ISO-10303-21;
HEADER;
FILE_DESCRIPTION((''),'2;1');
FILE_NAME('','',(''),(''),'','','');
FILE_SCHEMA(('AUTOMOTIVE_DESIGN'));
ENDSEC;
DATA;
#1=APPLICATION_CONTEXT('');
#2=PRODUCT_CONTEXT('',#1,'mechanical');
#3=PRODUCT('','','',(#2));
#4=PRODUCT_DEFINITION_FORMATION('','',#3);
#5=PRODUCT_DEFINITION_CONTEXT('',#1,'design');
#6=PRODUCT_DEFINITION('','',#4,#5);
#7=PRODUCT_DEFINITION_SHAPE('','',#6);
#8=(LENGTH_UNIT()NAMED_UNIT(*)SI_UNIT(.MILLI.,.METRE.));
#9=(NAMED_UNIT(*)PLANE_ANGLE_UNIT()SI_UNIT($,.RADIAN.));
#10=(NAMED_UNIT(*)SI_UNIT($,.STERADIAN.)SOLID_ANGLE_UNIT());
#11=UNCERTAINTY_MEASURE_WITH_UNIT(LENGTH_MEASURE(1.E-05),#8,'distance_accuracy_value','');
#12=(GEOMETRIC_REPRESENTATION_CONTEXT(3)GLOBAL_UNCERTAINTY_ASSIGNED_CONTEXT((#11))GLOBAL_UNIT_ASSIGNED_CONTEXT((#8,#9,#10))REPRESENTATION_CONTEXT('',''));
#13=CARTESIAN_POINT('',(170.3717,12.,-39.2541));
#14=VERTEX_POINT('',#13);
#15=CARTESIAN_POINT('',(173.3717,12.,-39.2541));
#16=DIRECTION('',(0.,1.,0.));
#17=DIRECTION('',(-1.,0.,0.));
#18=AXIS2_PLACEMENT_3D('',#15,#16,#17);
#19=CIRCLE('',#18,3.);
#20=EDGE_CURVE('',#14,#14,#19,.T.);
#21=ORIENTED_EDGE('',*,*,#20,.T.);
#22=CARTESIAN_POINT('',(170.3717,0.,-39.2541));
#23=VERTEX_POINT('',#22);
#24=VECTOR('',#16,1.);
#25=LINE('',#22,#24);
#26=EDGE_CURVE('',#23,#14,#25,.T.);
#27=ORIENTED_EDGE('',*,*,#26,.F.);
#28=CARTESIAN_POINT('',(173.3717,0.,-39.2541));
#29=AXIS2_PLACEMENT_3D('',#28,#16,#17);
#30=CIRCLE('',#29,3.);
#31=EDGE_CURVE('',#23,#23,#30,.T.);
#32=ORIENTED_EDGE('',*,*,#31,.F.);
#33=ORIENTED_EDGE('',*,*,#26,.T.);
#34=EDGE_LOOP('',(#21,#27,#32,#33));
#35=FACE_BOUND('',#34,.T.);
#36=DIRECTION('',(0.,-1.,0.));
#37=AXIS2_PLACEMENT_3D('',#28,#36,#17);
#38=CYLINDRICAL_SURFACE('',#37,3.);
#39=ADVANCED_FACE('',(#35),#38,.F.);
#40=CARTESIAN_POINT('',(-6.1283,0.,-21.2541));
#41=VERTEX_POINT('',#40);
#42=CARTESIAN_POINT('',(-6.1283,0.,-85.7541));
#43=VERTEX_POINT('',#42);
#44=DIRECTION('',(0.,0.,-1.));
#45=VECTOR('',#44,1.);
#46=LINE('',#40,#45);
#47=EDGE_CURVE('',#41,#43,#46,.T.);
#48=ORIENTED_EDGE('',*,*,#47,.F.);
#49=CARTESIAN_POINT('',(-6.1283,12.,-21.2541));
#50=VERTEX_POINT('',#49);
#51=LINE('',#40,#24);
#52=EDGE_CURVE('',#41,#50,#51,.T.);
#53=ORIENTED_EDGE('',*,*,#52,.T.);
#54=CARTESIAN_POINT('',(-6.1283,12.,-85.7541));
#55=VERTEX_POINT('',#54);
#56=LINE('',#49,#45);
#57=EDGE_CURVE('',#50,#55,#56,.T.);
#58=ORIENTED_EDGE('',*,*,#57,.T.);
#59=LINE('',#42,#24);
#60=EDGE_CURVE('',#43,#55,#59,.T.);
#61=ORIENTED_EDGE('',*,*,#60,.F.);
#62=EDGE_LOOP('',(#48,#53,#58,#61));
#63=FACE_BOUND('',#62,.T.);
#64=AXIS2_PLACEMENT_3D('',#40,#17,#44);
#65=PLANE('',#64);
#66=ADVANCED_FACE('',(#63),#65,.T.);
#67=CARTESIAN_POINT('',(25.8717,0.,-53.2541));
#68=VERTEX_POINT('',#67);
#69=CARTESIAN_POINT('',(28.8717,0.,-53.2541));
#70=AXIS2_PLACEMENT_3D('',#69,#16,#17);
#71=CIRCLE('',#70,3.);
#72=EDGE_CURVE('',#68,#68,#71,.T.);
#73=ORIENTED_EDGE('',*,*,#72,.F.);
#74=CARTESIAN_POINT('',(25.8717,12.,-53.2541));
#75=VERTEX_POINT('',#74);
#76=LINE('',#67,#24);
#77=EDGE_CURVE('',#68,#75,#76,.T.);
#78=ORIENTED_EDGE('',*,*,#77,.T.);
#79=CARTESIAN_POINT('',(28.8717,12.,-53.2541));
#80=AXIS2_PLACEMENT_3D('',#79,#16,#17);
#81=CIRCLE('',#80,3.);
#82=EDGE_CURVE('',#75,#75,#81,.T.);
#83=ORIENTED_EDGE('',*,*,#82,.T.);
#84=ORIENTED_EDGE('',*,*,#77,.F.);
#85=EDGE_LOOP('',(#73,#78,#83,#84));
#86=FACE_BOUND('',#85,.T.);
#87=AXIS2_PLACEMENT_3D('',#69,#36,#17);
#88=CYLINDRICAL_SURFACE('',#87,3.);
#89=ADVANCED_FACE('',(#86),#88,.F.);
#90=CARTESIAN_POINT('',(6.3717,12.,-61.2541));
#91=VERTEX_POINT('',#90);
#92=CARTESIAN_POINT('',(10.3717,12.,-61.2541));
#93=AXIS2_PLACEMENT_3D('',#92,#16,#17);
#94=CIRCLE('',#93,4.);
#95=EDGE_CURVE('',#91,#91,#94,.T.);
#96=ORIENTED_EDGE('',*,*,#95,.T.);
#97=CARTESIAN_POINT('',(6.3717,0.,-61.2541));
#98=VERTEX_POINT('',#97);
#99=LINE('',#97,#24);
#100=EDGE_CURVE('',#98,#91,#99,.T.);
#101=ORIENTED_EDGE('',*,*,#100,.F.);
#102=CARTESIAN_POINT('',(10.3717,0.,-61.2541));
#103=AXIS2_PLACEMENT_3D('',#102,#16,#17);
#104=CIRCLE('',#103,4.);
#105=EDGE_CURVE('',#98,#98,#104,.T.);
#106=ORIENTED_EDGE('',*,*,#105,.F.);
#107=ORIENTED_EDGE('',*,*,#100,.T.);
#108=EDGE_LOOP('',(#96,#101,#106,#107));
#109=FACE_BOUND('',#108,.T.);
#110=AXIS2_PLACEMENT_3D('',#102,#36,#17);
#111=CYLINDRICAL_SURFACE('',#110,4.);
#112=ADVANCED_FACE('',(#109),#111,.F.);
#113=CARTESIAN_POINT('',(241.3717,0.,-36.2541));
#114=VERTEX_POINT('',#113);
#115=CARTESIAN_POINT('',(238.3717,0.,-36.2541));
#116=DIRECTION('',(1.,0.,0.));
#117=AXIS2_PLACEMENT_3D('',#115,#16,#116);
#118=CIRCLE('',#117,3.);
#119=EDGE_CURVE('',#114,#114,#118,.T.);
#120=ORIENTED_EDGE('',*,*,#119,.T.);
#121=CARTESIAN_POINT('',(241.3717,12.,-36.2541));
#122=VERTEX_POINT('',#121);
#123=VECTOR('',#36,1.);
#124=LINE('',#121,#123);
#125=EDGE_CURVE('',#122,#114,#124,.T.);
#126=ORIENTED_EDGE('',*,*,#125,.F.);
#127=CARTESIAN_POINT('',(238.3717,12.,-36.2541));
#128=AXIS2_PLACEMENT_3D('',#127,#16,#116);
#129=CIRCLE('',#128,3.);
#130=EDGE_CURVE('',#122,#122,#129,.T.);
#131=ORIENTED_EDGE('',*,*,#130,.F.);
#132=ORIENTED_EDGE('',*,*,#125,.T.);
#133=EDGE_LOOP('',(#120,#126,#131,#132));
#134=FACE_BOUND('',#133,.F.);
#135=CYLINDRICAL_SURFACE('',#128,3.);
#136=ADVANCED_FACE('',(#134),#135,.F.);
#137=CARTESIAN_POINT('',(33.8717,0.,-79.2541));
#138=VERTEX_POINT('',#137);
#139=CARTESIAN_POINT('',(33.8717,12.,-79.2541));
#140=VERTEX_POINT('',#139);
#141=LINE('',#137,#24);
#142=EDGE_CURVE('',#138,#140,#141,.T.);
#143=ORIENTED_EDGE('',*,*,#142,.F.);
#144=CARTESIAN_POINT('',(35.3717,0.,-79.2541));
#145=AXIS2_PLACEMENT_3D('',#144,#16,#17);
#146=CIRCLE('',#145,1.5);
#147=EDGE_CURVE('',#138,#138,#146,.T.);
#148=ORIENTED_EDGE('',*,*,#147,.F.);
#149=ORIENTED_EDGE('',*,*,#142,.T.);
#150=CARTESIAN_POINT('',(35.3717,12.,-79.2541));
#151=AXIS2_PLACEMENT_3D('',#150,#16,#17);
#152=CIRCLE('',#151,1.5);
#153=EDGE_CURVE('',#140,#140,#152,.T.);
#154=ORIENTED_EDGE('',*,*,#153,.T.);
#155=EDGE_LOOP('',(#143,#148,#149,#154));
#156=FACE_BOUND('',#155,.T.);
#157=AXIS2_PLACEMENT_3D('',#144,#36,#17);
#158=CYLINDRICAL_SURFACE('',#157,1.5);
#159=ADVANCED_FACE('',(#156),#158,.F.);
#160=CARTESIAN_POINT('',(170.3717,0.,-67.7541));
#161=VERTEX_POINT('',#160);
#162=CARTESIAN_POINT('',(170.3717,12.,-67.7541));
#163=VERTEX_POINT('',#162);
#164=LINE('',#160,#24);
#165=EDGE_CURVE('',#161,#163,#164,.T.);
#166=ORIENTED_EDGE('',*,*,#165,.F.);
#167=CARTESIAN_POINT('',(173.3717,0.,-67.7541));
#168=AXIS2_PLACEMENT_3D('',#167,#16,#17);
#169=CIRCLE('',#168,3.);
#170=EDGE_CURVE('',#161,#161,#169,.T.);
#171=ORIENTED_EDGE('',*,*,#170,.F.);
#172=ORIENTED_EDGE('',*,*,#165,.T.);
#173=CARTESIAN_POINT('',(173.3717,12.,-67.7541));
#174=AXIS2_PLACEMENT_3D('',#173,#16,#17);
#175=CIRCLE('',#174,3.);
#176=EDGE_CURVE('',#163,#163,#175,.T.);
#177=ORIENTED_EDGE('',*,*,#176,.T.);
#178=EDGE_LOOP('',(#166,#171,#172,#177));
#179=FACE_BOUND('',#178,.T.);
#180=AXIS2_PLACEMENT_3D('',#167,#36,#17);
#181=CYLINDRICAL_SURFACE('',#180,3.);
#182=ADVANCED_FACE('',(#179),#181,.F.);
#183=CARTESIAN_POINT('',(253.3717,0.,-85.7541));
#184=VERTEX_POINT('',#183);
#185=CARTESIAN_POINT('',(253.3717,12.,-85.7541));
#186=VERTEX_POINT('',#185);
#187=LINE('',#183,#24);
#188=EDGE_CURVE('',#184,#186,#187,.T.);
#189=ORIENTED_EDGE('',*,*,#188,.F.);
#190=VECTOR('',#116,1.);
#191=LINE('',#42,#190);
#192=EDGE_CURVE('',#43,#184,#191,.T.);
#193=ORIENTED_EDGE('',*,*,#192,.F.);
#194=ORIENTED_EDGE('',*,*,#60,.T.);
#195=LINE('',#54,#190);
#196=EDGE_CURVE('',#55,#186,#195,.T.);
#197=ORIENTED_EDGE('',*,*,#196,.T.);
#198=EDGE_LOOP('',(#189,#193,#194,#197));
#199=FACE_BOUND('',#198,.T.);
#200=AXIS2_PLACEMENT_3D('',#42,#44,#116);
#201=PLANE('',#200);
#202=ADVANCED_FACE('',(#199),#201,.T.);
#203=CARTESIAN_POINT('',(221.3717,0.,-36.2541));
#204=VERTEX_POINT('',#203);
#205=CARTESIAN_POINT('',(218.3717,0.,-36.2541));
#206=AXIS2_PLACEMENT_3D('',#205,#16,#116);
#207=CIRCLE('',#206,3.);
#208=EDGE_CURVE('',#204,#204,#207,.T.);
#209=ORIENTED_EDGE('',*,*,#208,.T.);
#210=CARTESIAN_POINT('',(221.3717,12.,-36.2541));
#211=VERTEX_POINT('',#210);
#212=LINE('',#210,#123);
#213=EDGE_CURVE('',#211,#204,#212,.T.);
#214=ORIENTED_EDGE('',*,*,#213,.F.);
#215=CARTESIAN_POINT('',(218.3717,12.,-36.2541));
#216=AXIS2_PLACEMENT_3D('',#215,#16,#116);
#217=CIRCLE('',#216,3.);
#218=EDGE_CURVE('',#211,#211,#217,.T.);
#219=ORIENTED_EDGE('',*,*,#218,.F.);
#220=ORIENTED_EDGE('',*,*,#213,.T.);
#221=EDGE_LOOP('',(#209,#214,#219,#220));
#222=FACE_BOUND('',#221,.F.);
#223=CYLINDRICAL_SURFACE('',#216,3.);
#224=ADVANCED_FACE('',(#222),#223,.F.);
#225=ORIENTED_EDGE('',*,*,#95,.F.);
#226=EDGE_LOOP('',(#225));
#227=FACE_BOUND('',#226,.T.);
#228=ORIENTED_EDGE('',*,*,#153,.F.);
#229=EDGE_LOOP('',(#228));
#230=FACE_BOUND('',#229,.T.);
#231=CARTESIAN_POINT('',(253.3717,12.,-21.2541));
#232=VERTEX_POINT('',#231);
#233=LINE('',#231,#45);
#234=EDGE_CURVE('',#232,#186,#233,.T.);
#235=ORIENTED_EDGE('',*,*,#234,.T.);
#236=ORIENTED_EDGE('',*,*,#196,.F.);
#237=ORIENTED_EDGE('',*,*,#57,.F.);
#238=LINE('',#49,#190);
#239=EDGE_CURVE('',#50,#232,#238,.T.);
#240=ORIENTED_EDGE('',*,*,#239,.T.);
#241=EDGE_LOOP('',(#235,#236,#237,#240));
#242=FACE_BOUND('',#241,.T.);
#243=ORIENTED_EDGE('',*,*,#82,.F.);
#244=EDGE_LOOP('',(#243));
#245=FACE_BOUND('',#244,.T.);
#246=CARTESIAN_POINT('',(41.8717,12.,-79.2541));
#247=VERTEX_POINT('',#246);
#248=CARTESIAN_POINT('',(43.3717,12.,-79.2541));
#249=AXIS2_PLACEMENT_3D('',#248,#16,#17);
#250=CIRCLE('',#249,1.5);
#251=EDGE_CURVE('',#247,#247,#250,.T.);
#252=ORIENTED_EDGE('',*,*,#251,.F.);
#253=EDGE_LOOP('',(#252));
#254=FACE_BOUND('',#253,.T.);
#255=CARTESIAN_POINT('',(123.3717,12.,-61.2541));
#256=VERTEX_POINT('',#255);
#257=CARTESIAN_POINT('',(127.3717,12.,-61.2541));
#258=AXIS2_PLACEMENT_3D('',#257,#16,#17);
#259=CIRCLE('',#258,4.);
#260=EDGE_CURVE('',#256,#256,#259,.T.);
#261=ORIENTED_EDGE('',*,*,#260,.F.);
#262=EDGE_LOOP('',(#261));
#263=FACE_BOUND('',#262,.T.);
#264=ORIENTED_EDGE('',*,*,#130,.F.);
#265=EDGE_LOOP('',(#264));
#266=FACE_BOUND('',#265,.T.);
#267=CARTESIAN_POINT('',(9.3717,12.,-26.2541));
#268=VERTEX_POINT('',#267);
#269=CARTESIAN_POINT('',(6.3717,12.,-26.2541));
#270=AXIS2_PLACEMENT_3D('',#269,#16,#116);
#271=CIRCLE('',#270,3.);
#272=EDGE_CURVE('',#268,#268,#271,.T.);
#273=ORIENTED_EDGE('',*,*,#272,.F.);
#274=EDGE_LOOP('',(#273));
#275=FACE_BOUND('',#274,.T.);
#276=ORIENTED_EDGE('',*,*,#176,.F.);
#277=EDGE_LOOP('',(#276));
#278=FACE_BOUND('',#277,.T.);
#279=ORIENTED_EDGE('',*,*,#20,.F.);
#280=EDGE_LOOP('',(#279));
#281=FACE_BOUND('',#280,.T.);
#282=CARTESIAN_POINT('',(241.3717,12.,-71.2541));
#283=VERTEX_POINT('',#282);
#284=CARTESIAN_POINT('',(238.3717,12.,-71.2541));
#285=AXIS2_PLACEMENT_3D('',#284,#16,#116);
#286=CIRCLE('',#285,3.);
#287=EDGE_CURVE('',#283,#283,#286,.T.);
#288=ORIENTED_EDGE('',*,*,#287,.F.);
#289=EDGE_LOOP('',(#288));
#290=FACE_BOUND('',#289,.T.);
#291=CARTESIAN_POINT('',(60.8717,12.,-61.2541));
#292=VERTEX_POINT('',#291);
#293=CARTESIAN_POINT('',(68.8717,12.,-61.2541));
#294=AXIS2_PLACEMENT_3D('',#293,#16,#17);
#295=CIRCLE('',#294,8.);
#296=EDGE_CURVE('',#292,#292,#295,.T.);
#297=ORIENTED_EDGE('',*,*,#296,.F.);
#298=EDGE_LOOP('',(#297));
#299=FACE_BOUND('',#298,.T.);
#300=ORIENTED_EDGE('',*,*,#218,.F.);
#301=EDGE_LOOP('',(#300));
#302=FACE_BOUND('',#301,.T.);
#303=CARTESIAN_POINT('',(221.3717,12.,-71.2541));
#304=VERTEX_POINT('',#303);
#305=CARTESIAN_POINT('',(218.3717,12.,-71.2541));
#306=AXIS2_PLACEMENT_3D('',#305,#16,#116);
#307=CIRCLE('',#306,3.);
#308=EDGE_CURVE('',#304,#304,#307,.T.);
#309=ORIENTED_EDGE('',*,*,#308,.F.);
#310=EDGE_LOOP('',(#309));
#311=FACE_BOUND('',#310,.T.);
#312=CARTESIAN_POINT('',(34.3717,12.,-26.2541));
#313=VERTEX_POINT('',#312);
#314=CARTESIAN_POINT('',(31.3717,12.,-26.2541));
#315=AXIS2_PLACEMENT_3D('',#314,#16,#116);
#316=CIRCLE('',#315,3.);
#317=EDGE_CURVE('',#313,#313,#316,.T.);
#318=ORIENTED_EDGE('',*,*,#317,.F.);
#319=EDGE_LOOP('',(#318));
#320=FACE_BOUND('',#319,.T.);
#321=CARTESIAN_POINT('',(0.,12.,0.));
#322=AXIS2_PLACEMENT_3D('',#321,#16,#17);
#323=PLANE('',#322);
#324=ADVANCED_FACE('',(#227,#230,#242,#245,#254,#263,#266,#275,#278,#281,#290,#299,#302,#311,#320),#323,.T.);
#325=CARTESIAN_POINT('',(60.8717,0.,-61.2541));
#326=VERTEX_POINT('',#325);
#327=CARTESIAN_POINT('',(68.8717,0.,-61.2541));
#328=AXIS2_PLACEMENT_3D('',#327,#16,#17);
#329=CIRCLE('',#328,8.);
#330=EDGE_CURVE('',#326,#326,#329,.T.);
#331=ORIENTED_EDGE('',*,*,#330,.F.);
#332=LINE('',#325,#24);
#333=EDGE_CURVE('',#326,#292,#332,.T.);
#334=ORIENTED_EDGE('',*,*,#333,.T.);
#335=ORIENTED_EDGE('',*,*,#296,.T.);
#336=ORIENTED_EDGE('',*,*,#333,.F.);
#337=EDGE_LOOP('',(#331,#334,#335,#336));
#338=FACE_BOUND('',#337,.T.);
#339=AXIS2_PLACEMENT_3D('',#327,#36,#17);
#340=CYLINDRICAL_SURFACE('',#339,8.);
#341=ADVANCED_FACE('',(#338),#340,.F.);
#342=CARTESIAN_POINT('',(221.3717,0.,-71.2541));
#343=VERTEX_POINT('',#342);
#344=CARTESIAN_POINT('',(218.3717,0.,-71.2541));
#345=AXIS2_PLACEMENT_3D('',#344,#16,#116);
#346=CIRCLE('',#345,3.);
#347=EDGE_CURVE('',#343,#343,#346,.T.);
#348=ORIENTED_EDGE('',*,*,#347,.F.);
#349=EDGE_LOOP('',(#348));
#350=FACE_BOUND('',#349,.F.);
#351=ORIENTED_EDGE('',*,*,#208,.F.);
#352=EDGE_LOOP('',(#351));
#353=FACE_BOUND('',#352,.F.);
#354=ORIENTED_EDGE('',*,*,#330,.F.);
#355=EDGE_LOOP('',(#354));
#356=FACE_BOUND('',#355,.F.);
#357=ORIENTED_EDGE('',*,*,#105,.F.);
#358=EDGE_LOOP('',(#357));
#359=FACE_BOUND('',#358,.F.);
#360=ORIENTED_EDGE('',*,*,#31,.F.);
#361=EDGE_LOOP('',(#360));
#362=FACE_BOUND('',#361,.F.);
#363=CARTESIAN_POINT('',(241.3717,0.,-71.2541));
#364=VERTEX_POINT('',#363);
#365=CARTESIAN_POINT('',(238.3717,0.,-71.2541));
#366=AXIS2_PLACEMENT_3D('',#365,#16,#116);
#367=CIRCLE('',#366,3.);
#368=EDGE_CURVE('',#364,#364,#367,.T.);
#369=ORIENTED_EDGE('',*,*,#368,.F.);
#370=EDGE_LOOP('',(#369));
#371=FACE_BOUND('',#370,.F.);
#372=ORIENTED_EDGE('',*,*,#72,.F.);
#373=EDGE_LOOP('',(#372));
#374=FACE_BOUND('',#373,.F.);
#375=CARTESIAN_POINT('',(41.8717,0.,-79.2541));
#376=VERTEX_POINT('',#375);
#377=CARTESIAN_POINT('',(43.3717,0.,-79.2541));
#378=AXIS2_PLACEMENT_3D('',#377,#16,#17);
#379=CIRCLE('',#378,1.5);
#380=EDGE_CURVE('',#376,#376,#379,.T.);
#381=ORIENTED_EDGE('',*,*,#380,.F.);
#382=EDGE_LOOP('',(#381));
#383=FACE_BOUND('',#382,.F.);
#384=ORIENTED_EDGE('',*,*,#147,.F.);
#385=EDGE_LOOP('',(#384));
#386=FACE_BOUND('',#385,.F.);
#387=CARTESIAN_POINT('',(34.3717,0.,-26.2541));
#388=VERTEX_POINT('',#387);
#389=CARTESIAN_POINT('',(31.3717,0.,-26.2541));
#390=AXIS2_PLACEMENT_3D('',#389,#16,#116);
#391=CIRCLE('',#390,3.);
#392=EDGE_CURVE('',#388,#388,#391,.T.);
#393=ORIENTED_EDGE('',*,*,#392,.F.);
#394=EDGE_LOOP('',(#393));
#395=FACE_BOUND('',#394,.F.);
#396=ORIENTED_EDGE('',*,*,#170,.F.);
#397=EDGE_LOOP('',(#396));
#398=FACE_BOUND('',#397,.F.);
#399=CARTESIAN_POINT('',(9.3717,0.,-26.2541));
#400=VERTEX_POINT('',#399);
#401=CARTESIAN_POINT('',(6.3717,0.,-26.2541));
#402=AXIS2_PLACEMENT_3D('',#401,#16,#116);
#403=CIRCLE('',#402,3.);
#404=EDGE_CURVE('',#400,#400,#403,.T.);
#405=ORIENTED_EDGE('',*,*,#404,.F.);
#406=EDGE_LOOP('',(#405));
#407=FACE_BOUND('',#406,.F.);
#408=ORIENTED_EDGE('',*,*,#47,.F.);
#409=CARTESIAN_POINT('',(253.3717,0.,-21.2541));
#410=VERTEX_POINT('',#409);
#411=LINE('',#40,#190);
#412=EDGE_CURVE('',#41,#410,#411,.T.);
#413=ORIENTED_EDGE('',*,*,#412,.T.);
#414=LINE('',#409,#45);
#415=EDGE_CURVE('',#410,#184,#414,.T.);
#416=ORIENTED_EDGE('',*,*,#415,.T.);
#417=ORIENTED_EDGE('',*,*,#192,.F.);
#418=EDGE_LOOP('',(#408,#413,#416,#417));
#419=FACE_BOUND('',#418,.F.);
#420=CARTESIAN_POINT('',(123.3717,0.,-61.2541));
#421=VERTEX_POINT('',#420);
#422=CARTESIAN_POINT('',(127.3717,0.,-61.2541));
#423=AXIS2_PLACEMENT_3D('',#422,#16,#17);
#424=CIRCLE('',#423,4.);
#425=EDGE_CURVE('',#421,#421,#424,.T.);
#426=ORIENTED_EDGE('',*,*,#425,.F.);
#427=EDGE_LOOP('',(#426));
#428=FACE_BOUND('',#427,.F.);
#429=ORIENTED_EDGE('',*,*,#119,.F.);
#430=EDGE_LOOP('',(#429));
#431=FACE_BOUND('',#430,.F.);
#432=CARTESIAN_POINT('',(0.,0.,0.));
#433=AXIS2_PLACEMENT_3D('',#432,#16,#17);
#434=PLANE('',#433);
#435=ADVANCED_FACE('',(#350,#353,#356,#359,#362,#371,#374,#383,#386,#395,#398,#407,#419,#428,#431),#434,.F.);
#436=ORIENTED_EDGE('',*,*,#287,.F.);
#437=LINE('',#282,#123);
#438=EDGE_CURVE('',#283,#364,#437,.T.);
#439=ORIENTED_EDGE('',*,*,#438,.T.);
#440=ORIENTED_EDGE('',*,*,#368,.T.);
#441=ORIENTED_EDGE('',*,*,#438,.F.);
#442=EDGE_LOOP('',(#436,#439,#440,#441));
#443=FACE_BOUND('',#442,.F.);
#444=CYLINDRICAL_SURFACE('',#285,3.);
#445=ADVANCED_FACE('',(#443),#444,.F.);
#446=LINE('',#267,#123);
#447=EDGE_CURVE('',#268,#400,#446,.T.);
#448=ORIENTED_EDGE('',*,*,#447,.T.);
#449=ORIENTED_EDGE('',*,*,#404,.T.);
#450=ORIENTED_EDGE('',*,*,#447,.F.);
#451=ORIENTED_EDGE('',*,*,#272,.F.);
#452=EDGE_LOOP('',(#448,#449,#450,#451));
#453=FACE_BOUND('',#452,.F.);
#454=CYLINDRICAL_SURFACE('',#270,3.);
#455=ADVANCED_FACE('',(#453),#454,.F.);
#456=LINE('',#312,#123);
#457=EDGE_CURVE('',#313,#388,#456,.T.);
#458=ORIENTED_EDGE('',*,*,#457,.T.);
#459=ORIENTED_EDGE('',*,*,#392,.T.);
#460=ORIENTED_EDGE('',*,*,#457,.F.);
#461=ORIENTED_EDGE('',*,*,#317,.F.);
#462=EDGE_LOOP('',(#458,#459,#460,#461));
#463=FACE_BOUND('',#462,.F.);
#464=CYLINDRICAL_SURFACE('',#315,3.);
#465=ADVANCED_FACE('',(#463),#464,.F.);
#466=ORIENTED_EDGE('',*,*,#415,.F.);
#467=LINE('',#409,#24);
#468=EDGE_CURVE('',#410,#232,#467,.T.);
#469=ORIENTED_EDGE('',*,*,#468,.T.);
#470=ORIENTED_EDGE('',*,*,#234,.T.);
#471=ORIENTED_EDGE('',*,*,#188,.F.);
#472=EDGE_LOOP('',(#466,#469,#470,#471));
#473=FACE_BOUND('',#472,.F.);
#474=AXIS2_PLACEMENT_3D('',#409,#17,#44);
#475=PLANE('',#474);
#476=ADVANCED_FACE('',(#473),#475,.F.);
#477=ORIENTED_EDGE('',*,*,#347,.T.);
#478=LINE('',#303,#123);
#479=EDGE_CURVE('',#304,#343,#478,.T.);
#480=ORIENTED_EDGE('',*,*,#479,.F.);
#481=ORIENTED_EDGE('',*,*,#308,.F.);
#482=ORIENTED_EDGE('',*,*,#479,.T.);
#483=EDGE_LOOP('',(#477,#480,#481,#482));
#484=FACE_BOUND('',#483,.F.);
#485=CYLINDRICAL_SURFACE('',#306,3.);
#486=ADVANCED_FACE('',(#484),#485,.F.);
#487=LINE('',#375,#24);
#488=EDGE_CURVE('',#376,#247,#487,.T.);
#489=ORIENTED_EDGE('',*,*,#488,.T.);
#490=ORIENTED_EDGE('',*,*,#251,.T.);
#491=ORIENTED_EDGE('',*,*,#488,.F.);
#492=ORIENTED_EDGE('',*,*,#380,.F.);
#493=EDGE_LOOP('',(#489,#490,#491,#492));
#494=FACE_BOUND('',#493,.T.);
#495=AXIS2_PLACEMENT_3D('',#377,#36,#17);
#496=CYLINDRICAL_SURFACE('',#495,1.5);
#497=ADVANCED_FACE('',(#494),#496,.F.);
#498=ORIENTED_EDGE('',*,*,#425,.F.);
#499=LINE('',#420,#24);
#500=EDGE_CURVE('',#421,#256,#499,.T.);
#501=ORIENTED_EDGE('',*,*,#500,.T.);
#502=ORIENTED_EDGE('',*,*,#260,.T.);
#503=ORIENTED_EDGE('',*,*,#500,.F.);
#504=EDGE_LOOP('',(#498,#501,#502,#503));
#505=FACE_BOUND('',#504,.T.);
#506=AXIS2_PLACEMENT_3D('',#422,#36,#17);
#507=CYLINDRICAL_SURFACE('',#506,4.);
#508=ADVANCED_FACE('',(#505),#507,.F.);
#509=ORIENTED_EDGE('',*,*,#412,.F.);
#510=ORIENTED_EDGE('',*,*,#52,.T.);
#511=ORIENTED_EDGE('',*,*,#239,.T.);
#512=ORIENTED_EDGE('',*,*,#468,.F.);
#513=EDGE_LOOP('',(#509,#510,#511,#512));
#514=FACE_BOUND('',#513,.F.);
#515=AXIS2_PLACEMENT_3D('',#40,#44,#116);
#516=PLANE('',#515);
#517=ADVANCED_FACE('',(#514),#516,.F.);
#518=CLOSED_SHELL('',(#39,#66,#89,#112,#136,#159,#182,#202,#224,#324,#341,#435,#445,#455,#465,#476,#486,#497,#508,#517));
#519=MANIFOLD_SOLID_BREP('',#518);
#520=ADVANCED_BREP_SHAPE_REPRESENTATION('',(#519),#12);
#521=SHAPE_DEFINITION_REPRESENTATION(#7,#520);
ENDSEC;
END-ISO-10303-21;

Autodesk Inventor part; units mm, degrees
ref_plane "YZ Plane" through (0, 0, 0) normal (1, 0, 0) x (0, 1, 0)
ref_plane "XZ Plane" through (0, 0, 0) normal (0, 1, 0) x (-1, 0, 0)
ref_plane "XY Plane" through (0, 0, 0) normal (0, 0, 1) x (1, 0, 0)
sketch "Boceto1" plane through (0, 0, 0) normal (0, 1, 0) x (-1, 0, 0)
  line L0 (6.1283, -21.2541) -> (6.1283, -85.7541)
  line L1 (6.1283, -85.7541) -> (-253.3717, -85.7541)
  line L2 (6.1283, -21.2541) -> (-253.3717, -21.2541)
  line L3 (-253.3717, -21.2541) -> (-253.3717, -85.7541)
  circle A0 centre (-127.3717, -61.2541) radius 4
  circle A1 centre (-10.3717, -61.2541) radius 4
  circle A2 centre (-68.8717, -61.2541) radius 8
  circle A3 centre (-35.3717, -79.2541) radius 1.5
  circle A4 centre (-43.3717, -79.2541) radius 1.5
  circle A5 centre (-28.8717, -53.2541) radius 3
  circle A6 centre (-173.3717, -67.7541) radius 3
  circle A7 centre (-173.3717, -39.2541) radius 3
  dimension "d0" = 64.5
  dimension "d22" = 8
  dimension "d23" = 8
  dimension "d27" = 16
  dimension "d103" = 58.5
  dimension "d104" = 117
  dimension "d105" = 3
  dimension "d106" = 3
  dimension "d115" = 6.5
  dimension "d121" = 259.5
  dimension "d122" = 126
  dimension "d128" = 6
  dimension "d129" = 35
  dimension "d130" = 32
  dimension "d131" = 6
  dimension "d132" = 6
  dimension "d133" = 80
  dimension "d134" = 18
  dimension "d135" = 80
  dimension "d136" = 18
  dimension "d143" = 40
  dimension "d144" = 40
  dimension "d145" = 40
  dimension "d149" = 8
  dimension "d150" = 41.5
extrude "Extrusion3" add sketch "Boceto1" along normal blind 12
sketch "Sketch2" plane through (0, 12, 0) normal (0, 1, 0) x (1, 0, 0)
  circle A0 centre (6.3717, 26.2541) radius 3
  line L0 (-6.1283, 21.2541) -> (253.3717, 21.2541)
  line L1 (-6.1283, 85.7541) -> (-6.1283, 21.2541)
  circle A1 centre (31.3717, 26.2541) radius 3
  circle A2 centre (218.3717, 71.2541) radius 3
  circle A3 centre (238.3717, 71.2541) radius 3
  circle A4 centre (218.3717, 36.2541) radius 3
  circle A5 centre (238.3717, 36.2541) radius 3
  line L2 (253.3717, 21.2541) -> (253.3717, 85.7541)
  line L3 (253.3717, 85.7541) -> (-6.1283, 85.7541)
  point P0 (253.3717, 20.7541)
  point P1 (-7.6283, 85.7541)
  dimension "d84" = 6
  dimension "d85" = 5
  dimension "d86" = 12.5
  dimension "d87" = 6
  dimension "d88" = 25
  dimension "d91" = 6
  dimension "d92" = 6
  dimension "d93" = 6
  dimension "d94" = 6
  dimension "d95" = 15
  dimension "d98" = 15
  dimension "d99" = 15
  dimension "d100" = 20
  dimension "d101" = 20
  dimension "d146" = 35
  dimension "d147" = 35
  dimension "d148" = 15
extrude "Extrusion4" cut sketch "Sketch2" against normal blind 25 contours A0 | A1 | A2 | A3 | A4 | A5
thread "Thread1"
thread "Thread2"
thread "Rosca3"
thread "Rosca4"
thread "Rosca5"
properties part number "Columna Izquierda" material "Aluminum 6061"
